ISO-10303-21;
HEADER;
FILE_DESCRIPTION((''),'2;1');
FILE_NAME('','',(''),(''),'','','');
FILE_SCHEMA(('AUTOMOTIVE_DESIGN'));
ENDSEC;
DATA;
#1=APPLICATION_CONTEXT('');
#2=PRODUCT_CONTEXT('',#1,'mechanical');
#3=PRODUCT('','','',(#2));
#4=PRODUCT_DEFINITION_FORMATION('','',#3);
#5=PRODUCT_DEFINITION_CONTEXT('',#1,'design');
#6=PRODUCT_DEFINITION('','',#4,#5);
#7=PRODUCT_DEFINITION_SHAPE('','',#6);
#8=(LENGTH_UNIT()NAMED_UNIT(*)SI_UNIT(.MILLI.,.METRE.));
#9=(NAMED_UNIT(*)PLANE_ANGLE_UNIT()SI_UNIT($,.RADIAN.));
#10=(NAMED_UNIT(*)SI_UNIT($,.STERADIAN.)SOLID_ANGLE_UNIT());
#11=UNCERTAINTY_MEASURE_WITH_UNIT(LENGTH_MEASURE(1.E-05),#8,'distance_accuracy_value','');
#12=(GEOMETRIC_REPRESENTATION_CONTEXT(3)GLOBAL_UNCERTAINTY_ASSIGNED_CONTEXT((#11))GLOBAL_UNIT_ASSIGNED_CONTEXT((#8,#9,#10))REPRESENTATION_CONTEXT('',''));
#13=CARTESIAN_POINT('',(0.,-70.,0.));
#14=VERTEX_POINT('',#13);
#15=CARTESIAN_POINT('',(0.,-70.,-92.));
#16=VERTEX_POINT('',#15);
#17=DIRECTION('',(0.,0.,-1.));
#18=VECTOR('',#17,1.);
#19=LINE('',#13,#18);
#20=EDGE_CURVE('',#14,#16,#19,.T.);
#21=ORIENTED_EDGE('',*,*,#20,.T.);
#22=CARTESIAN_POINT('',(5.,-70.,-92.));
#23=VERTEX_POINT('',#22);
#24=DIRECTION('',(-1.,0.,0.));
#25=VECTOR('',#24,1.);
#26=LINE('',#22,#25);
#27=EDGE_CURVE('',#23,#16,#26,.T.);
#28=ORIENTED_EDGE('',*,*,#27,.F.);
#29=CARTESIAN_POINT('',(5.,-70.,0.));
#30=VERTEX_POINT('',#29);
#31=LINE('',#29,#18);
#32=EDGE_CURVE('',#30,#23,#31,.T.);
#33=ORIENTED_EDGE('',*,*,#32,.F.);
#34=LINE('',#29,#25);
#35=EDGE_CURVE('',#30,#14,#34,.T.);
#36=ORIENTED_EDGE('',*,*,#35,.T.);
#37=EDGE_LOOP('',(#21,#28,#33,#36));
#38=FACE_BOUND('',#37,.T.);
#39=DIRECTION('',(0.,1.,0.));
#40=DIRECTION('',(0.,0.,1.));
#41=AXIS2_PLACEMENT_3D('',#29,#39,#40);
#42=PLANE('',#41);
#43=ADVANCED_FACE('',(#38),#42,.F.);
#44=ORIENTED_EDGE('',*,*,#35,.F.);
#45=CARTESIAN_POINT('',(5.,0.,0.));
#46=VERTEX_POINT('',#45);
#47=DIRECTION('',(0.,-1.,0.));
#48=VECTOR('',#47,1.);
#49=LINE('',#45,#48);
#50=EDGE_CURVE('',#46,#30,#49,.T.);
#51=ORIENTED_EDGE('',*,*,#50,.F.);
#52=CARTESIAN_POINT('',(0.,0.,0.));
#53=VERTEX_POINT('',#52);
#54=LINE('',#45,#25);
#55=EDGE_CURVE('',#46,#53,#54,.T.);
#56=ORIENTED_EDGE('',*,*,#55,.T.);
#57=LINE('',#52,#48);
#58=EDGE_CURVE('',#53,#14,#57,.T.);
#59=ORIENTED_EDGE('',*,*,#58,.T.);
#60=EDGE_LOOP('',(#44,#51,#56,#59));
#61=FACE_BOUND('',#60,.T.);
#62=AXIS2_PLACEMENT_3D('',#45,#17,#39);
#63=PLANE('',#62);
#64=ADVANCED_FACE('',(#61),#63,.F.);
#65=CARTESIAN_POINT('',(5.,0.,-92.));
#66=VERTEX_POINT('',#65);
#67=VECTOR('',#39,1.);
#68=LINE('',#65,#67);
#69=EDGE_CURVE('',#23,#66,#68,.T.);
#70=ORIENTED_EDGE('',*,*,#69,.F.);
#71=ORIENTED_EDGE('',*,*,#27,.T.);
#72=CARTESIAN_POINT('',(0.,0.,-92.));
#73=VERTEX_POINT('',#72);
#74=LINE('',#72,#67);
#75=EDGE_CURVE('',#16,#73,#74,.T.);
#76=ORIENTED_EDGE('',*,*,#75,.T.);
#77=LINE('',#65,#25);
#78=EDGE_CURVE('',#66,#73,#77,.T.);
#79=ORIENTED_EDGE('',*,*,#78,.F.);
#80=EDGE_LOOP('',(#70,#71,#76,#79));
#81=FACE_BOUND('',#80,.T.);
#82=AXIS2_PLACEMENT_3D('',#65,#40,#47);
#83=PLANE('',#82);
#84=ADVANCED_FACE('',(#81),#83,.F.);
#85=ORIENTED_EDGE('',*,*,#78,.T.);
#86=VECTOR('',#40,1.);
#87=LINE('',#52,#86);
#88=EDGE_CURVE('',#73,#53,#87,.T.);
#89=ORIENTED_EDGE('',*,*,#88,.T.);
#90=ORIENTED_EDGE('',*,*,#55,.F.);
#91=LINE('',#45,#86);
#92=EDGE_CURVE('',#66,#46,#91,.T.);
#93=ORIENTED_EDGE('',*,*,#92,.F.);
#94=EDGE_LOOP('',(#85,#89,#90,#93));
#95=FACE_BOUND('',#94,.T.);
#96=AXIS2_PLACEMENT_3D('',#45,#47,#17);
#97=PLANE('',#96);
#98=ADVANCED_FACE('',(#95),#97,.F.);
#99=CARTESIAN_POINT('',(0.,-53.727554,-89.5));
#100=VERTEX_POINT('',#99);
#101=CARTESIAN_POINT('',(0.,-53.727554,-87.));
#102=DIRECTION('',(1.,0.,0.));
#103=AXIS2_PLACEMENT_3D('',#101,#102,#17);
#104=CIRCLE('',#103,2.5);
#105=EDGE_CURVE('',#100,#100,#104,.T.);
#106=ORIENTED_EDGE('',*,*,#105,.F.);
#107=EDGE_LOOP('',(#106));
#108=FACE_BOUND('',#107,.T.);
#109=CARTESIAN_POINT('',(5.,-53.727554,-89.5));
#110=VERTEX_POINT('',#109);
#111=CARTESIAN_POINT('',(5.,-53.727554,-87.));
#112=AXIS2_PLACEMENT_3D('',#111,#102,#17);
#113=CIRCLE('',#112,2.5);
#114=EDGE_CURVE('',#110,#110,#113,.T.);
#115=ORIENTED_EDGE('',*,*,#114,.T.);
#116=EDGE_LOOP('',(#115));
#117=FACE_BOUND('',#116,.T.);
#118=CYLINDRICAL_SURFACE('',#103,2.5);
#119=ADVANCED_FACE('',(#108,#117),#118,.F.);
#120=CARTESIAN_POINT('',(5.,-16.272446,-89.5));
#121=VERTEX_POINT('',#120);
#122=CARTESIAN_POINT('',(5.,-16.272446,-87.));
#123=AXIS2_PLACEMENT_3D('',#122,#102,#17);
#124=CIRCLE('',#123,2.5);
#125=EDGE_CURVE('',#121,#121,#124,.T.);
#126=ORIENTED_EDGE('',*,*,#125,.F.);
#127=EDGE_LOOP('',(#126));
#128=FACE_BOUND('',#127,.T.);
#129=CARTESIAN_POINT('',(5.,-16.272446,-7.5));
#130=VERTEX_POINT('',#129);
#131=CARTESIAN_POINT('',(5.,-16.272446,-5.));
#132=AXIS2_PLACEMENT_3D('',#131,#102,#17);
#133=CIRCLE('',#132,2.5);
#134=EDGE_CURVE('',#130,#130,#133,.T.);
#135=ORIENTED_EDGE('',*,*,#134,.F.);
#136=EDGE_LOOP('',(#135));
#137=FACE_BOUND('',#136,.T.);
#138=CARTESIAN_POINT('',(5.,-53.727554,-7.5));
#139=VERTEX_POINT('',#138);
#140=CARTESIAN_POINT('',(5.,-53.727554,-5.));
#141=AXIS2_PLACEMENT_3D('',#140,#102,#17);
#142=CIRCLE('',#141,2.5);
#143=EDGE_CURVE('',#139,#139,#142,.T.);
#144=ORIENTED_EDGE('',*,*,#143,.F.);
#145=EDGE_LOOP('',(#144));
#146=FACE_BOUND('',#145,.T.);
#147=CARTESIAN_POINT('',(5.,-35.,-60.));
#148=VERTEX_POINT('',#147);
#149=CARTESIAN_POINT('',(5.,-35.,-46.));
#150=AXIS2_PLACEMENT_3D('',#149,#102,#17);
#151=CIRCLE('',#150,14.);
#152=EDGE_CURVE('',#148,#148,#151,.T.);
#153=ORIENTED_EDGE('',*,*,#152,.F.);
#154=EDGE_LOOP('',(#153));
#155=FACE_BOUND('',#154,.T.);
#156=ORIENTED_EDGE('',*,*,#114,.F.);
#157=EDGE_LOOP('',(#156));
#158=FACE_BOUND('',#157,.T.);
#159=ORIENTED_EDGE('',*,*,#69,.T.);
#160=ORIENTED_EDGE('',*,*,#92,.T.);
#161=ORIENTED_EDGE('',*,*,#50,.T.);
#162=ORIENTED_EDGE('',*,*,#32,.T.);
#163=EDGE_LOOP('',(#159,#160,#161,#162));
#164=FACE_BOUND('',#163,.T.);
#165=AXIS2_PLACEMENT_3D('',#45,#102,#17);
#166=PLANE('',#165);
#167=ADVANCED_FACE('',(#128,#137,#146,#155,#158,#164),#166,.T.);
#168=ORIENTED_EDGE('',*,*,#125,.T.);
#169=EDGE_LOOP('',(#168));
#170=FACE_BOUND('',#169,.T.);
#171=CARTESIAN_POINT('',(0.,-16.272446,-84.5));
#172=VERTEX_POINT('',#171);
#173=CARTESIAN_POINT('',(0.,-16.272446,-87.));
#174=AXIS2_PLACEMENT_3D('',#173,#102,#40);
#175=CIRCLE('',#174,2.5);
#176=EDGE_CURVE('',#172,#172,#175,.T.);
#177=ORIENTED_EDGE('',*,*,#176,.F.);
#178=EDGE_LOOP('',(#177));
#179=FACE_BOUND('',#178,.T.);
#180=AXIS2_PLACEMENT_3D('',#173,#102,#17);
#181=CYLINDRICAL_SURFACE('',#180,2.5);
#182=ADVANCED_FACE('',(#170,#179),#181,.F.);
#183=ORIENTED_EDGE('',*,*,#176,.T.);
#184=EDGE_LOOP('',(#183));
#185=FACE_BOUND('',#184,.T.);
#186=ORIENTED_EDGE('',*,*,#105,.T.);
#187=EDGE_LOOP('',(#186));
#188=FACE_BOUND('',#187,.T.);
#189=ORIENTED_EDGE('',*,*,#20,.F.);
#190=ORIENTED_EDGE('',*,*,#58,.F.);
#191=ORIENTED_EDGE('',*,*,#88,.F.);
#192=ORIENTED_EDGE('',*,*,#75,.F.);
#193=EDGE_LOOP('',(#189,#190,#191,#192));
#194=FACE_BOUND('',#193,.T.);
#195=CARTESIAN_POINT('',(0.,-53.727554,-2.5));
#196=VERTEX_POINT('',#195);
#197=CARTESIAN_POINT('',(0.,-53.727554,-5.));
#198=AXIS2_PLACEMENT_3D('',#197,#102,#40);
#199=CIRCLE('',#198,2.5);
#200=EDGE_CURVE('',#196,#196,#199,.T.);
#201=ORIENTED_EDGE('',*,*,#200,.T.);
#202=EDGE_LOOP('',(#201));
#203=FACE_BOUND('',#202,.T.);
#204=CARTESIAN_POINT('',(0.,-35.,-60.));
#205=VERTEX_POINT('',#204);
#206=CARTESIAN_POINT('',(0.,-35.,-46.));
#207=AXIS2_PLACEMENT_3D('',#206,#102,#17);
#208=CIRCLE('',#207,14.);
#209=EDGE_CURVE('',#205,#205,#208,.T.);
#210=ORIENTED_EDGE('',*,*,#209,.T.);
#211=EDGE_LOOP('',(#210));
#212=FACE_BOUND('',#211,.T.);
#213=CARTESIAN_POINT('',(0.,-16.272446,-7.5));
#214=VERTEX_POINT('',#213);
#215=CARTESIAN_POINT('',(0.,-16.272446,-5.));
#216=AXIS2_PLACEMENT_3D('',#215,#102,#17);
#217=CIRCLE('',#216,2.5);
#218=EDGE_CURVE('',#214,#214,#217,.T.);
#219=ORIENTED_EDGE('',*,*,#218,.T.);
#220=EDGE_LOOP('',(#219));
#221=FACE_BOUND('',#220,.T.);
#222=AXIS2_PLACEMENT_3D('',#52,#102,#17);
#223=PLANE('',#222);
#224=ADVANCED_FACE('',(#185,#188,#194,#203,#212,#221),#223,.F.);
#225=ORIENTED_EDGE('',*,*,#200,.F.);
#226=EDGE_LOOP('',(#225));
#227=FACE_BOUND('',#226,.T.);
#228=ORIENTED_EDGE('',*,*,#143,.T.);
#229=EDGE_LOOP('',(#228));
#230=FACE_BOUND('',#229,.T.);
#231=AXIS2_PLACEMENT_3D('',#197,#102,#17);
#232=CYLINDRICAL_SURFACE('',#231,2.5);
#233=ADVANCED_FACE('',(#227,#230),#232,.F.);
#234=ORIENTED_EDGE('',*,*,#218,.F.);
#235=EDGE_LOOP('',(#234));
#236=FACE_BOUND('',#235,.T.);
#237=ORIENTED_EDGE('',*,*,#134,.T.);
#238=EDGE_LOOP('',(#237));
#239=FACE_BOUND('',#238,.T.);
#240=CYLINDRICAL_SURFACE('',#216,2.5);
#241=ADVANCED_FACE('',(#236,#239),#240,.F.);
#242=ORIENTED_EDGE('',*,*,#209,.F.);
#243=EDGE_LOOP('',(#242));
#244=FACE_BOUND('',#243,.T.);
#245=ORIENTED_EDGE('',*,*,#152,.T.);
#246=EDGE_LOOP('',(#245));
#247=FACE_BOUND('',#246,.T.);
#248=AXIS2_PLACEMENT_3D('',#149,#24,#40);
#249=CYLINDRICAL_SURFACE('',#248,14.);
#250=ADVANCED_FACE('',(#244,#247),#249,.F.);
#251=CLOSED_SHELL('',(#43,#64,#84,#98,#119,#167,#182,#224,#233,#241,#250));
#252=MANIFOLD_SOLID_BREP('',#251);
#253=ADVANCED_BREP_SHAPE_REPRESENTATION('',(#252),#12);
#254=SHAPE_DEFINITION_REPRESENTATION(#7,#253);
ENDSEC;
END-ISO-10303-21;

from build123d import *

# Parameters (mm, degrees)
SKETCH1_W               = 92
SKETCH1_H               = 70
SKETCH1_R               = 14
BOSS_EXTRUDE1_DEPTH     = 5
CUT_EXTRUDE1_DEPTH      = 116.71084651
CUT_EXTRUDE1_DEPTH_BACK = 116.71084651
SKETCH2_R               = 2.5


with BuildPart() as part:
    # Sketch1 → Boss-Extrude1 (new body)
    with BuildSketch(Plane(origin=(0, 0, 0), x_dir=(0, 0, -1), z_dir=(1, 0, 0))):
        with Locations((46, -35)):
            Rectangle(SKETCH1_W, SKETCH1_H)
        with Locations((46, -35)):
            Circle(SKETCH1_R, mode=Mode.SUBTRACT)
    extrude(amount=BOSS_EXTRUDE1_DEPTH)

    # Sketch2 → Cut-Extrude1 (cut, two sides: drawn at the far end of the back side and taken through both)
    with BuildSketch(Plane(origin=(5, 0, 0), x_dir=(0, 0, -1), z_dir=(1, 0, 0)).offset(-CUT_EXTRUDE1_DEPTH_BACK)):
        with Locations((5, -16.272445859)):
            Circle(SKETCH2_R)
        with Locations((5, -53.727554141)):
            Circle(SKETCH2_R)
        with Locations((87, -53.727554141)):
            Circle(SKETCH2_R)
        with Locations((87, -16.272445859)):
            Circle(SKETCH2_R)
    extrude(amount=CUT_EXTRUDE1_DEPTH + CUT_EXTRUDE1_DEPTH_BACK, mode=Mode.SUBTRACT)


solid = part.part
